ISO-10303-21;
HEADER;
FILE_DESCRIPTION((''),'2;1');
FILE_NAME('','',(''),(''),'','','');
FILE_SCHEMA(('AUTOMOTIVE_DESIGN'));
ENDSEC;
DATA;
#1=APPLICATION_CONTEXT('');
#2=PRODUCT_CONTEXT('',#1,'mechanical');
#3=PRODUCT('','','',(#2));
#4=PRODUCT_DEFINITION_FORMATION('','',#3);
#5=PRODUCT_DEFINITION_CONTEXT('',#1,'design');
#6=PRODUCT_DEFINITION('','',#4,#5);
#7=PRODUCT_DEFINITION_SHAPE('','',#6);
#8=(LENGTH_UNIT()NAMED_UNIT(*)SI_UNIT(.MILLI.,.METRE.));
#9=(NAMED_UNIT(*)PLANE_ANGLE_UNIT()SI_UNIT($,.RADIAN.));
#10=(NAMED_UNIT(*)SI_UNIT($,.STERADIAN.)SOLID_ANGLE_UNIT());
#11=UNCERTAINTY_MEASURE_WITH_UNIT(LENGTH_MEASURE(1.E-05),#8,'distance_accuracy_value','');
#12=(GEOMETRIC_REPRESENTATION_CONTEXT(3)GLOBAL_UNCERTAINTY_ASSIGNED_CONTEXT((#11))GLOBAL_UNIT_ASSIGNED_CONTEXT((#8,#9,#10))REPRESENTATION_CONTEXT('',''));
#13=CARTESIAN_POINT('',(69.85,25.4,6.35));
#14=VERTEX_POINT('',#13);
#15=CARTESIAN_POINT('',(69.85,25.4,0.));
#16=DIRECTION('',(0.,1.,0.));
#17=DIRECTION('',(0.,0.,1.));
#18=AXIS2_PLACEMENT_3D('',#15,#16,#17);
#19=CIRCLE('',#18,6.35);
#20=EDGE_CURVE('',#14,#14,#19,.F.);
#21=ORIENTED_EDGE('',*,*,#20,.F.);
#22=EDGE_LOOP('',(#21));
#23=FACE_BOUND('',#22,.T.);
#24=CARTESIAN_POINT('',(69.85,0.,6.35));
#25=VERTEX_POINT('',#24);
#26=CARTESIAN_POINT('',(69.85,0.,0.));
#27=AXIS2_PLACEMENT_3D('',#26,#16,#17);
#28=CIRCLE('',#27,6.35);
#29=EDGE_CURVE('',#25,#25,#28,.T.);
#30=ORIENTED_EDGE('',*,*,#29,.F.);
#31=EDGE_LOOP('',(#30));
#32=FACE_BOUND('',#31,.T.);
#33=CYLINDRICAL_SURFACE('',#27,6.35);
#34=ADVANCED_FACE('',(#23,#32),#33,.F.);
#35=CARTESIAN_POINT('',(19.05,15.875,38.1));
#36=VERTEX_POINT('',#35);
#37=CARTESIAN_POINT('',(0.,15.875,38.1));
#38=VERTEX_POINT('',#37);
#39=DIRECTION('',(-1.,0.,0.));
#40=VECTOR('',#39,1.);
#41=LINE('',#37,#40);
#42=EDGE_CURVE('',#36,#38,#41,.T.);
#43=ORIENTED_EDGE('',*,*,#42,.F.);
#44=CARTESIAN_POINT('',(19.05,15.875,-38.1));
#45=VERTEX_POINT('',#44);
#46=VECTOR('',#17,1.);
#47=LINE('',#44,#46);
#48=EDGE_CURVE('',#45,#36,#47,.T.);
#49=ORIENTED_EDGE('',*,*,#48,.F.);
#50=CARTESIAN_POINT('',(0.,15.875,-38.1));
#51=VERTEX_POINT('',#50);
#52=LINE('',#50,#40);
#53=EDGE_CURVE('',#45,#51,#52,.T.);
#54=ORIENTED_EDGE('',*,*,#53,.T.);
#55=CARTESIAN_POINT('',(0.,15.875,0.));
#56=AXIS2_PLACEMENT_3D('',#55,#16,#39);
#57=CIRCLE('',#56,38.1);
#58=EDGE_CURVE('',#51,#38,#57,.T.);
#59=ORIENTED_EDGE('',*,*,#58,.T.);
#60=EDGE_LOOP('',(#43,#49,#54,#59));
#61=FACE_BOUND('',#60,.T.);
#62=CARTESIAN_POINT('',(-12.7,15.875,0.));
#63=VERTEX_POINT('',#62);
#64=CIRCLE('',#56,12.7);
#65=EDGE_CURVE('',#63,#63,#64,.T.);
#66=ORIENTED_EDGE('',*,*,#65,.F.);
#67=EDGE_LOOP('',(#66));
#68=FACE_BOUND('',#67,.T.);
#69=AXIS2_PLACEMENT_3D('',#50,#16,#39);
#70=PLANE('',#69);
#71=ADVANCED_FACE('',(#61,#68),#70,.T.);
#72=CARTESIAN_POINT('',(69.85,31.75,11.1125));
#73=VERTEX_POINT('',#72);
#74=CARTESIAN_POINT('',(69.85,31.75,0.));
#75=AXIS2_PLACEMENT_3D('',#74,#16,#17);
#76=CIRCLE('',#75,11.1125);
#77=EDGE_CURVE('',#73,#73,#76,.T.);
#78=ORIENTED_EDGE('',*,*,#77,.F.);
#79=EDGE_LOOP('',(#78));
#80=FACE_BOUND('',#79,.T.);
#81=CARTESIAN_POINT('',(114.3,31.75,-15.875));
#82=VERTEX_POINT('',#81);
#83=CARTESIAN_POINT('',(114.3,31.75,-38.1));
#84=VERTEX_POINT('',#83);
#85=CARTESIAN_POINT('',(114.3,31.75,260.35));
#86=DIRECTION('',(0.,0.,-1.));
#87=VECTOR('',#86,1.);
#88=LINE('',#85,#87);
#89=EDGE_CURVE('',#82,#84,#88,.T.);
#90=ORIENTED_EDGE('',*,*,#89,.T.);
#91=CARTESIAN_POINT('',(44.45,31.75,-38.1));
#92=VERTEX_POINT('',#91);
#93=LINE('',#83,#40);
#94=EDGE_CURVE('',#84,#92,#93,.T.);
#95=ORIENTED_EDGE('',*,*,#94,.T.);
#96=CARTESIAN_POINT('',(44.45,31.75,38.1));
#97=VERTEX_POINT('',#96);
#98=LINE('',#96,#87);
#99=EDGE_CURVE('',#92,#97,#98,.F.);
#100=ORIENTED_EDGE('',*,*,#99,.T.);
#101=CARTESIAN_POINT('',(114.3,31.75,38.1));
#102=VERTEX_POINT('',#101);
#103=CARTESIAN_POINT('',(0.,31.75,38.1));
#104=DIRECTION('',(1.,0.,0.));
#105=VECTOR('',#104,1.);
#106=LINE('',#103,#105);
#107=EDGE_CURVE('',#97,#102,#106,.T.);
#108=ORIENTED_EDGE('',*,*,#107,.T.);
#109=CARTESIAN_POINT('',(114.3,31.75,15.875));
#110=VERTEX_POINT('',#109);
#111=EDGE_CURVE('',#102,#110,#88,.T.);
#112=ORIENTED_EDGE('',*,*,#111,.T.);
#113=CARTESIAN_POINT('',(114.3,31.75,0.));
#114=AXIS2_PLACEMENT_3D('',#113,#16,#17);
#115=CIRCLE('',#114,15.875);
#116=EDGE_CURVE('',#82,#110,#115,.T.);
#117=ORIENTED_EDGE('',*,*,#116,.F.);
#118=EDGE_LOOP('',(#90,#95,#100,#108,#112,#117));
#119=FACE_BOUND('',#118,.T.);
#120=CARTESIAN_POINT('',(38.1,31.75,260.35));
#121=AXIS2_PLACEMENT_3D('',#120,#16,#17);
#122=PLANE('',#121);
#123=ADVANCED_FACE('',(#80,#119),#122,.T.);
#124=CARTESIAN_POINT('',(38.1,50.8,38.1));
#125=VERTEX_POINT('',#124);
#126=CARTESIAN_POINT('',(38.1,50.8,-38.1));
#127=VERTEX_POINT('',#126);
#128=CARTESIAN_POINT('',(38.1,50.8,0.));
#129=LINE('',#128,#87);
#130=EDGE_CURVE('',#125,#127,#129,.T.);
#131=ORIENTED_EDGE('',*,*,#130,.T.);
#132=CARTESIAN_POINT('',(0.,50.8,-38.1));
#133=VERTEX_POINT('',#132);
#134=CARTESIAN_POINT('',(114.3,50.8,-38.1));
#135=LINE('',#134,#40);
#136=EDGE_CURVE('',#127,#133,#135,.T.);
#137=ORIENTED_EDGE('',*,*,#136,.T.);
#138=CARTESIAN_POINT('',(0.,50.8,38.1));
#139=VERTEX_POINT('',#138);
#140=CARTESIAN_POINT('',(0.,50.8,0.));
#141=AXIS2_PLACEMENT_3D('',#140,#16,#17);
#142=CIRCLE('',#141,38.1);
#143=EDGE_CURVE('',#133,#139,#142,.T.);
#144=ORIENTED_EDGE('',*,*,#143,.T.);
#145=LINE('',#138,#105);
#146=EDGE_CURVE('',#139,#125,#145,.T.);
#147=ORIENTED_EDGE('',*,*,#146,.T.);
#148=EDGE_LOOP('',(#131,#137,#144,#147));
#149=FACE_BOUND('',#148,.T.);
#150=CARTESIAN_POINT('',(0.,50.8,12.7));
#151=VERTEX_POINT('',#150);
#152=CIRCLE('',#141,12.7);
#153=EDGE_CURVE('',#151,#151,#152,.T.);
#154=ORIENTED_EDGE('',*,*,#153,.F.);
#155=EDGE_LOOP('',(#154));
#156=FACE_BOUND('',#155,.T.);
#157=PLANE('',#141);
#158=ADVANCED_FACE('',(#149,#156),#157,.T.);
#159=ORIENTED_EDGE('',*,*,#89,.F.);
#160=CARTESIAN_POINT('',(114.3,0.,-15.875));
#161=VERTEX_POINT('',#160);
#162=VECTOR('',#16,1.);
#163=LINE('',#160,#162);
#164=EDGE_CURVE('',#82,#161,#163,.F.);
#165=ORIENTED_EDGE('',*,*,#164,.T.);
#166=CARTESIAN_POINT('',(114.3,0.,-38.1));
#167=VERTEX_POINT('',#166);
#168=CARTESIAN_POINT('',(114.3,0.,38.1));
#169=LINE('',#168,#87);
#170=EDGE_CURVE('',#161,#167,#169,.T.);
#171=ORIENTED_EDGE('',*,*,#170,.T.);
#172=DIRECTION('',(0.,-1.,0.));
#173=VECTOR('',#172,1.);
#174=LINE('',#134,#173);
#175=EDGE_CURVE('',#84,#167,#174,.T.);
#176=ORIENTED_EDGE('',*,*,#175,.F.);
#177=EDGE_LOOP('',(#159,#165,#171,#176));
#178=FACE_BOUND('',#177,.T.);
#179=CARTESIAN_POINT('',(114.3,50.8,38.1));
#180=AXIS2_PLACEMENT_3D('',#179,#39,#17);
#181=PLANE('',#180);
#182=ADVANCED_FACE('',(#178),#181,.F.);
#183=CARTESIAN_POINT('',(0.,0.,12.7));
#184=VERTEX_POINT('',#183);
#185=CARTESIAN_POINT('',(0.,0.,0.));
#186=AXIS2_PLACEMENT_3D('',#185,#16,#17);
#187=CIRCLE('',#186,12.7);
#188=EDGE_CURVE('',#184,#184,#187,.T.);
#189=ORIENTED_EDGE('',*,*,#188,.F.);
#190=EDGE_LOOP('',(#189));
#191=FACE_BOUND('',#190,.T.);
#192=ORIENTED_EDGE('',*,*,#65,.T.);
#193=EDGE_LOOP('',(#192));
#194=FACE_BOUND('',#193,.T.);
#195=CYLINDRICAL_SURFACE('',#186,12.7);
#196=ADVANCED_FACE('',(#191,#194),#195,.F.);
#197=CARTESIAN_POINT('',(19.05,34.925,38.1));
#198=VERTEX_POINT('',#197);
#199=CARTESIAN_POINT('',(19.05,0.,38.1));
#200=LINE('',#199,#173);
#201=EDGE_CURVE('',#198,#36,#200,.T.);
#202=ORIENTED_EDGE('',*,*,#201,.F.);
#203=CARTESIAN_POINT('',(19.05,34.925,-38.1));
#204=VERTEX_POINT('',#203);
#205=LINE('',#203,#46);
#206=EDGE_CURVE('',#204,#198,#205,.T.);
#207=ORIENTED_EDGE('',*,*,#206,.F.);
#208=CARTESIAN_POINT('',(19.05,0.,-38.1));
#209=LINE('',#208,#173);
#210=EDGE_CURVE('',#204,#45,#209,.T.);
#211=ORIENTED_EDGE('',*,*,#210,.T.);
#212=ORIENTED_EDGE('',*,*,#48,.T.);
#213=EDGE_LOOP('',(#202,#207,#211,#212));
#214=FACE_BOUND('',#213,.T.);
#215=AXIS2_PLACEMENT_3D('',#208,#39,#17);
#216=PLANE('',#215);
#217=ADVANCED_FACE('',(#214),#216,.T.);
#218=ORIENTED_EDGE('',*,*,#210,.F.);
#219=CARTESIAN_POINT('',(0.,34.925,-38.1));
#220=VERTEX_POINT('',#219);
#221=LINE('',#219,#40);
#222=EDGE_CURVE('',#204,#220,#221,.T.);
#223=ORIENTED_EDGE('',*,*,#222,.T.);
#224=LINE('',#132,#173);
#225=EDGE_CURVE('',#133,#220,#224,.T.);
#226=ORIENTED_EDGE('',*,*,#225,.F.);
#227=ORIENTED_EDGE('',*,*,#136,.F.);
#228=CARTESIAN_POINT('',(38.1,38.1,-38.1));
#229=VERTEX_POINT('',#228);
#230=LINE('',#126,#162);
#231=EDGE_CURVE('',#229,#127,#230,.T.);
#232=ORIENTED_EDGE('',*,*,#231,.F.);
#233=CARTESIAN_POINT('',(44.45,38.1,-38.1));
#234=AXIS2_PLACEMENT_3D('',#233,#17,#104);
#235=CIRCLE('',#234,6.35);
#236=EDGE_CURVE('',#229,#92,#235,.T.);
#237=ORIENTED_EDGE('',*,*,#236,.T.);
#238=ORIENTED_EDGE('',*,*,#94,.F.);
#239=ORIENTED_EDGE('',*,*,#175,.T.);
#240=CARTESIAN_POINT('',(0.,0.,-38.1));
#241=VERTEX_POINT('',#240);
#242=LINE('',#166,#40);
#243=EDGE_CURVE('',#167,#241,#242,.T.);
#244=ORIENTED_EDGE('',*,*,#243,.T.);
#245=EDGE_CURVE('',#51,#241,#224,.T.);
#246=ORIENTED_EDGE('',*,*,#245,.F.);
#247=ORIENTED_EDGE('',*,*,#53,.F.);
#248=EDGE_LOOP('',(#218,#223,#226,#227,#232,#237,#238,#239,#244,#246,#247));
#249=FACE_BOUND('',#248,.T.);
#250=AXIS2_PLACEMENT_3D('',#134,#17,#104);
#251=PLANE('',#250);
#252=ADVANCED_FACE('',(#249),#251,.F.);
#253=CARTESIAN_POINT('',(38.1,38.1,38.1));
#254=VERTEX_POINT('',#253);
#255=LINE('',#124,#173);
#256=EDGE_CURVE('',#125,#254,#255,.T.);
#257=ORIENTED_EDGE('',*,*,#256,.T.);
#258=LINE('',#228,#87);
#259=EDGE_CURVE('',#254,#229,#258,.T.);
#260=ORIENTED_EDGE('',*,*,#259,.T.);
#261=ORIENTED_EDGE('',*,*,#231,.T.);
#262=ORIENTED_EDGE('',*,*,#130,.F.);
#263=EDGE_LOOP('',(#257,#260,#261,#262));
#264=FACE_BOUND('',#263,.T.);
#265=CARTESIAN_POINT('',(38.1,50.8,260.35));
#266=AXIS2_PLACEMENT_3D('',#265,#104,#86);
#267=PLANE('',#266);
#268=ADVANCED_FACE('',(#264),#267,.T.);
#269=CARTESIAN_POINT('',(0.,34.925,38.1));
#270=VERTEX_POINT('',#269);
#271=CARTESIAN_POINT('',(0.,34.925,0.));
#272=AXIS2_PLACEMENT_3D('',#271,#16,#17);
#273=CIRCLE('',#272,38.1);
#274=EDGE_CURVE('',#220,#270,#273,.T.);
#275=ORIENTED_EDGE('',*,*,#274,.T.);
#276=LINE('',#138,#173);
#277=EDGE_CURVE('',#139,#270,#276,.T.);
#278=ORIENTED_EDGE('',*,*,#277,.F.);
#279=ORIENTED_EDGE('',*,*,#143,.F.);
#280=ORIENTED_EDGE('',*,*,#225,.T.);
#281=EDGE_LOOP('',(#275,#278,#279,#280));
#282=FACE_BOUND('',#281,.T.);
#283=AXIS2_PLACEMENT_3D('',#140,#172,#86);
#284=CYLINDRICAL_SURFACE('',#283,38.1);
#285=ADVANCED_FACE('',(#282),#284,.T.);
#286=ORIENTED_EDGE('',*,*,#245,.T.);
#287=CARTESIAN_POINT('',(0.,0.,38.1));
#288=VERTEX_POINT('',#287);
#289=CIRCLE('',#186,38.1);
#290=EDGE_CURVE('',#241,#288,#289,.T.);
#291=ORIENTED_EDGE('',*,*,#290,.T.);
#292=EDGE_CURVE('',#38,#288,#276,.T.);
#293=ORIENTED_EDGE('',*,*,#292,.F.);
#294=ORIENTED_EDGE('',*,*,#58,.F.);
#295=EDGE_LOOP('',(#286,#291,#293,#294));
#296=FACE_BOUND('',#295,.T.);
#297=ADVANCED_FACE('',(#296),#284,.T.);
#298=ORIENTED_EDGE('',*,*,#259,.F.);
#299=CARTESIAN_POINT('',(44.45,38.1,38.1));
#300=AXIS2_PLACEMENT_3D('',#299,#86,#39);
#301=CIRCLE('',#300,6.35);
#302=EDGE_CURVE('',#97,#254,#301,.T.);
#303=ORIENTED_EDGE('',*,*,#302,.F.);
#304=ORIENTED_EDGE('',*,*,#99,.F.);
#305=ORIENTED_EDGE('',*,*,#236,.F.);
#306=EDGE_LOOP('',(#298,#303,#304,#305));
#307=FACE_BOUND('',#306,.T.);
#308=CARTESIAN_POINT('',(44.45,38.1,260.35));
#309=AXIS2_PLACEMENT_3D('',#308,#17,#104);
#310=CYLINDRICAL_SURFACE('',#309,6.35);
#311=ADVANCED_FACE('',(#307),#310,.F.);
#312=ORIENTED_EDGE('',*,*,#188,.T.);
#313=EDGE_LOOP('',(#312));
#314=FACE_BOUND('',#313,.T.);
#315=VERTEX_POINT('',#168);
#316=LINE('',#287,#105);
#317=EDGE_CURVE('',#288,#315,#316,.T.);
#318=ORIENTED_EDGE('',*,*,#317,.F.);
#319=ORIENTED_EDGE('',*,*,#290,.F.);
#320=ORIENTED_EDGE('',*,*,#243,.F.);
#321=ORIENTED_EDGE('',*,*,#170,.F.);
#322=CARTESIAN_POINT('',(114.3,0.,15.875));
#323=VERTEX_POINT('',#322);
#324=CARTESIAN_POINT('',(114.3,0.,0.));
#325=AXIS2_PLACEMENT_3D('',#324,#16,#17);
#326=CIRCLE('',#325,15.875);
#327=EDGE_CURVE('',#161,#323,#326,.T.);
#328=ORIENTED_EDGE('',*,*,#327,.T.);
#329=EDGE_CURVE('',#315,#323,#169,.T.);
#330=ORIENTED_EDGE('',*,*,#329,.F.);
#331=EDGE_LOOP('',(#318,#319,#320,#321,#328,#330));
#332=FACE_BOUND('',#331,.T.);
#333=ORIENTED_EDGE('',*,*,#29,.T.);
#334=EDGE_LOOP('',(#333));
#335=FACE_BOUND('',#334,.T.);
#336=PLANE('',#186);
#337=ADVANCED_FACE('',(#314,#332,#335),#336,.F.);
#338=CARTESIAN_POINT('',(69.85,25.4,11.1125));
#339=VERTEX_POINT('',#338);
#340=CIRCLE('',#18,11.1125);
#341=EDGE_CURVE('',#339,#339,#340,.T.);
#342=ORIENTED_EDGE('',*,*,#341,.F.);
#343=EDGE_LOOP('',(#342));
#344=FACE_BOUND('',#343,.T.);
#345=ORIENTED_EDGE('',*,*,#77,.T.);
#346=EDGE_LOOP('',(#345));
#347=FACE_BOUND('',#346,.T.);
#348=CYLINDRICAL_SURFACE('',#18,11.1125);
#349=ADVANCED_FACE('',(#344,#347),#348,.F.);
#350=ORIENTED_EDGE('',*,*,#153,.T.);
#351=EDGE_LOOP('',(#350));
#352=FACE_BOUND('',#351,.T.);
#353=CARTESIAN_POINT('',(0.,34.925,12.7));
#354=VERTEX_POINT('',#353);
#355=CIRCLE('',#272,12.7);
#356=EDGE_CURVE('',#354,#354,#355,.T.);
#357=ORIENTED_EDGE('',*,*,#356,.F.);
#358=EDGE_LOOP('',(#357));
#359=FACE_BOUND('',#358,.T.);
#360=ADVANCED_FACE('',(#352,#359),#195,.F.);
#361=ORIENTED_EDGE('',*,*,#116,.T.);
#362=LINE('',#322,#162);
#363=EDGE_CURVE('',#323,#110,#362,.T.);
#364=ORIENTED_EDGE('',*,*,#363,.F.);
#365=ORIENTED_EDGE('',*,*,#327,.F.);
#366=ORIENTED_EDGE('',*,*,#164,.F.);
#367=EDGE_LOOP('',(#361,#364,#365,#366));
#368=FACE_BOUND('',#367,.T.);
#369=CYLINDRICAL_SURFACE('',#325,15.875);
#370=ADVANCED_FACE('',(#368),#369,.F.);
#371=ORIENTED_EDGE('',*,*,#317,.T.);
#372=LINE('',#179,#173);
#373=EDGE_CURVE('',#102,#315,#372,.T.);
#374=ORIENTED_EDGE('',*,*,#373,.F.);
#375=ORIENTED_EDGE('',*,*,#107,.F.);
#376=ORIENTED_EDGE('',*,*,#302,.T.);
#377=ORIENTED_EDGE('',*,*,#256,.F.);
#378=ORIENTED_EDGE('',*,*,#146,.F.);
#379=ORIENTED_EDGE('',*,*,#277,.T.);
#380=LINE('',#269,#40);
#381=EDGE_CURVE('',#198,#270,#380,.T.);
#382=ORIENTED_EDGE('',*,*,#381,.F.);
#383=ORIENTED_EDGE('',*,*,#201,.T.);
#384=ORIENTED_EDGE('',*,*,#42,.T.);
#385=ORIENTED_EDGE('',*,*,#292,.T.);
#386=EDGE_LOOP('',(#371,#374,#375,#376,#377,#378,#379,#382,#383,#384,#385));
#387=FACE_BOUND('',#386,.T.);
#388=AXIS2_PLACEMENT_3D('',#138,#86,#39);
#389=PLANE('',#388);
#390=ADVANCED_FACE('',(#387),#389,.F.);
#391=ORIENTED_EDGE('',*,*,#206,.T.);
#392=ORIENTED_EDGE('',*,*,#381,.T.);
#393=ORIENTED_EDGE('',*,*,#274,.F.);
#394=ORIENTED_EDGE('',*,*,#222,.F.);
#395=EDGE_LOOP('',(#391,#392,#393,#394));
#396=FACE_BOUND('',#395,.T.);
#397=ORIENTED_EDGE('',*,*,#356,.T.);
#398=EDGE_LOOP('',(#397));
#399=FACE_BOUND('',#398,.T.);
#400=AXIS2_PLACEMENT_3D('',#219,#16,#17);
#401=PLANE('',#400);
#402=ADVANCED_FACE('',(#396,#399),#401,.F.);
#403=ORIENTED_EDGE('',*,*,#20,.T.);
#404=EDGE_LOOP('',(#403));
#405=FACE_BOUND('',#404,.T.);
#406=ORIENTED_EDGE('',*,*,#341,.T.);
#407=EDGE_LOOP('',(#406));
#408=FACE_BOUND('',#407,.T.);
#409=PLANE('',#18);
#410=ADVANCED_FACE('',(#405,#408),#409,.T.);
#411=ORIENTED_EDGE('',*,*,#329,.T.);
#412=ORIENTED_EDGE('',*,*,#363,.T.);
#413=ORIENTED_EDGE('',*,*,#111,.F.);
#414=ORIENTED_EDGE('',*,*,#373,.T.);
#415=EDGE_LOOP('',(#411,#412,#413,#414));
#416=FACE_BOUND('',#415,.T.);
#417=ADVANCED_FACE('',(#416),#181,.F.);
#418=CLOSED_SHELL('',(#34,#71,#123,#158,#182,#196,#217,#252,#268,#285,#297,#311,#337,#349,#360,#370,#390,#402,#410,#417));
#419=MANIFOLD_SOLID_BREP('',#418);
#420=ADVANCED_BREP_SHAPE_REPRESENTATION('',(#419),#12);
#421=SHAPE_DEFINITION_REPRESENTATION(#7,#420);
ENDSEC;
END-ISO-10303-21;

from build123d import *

# Parameters (mm, degrees)
BOSS_EXTRUDE1_DEPTH     = 50.8
CUT_EXTRUDE1_DEPTH      = 147.463544952
CUT_EXTRUDE1_DEPTH_BACK = 147.463544952
FILLET1_R               = 6.35
SKETCH5_W               = 19.05
SKETCH5_H               = 19.05
SKETCH5_W_2             = 47.515662577
CUT_EXTRUDE2_DEPTH      = 147.463544952
SKETCH6_R               = 12.7
CUT_EXTRUDE3_DEPTH      = 131.754502791
SKETCH7_R               = 15.875
SKETCH7_R_2             = 6.35
CUT_EXTRUDE4_DEPTH      = 125.595997127
SKETCH8_R               = 11.1125
CUT_EXTRUDE5_DEPTH      = 6.35


with BuildPart() as part:
    # Sketch2 → Boss-Extrude1 (new body)
    with BuildSketch(Plane(origin=(0, 0, 0), x_dir=(1, 0, 0), z_dir=(0, 1, 0))):
        with BuildLine():
            Line((0, -38.1), (114.3, -38.1))
            Line((114.3, -38.1), (114.3, 38.1))
            Line((114.3, 38.1), (0, 38.1))
            ThreePointArc((0, 38.1), (-38.1, 0), (0, -38.1))
        make_face()
    extrude(amount=BOSS_EXTRUDE1_DEPTH)

    # Sketch3 → Cut-Extrude1 (cut, two sides: drawn at the far end of the back side and taken through both)
    with BuildSketch(Plane.XY.offset(38.1).offset(-CUT_EXTRUDE1_DEPTH_BACK)):
        Polygon((38.1, 372.144327072), (38.1, 50.8), (38.1, 31.75), (114.3, 31.75), (435.644327072, 31.75), (853.647106265, 519.932735), (456.102779193, 860.327062073), align=None)
    extrude(amount=CUT_EXTRUDE1_DEPTH + CUT_EXTRUDE1_DEPTH_BACK, mode=Mode.SUBTRACT)

    # Fillet1
    fillet1_edges = [part.edges().sort_by_distance(p)[0] for p in [
        (38.1, 31.75, 0),
    ]]
    fillet(fillet1_edges, radius=FILLET1_R)

    # Sketch5 → Cut-Extrude2 (cut, through all)
    with BuildSketch(Plane.XY.offset(38.1)):
        with Locations((9.525, 25.4)):
            Rectangle(SKETCH5_W, SKETCH5_H)
        with Locations((-23.757831289, 25.4)):
            Rectangle(SKETCH5_W_2, SKETCH5_H)
    extrude(amount=-CUT_EXTRUDE2_DEPTH, mode=Mode.SUBTRACT)

    # Sketch6 → Cut-Extrude3 (cut, through all)
    with BuildSketch(Plane(origin=(0, 50.8, 0), x_dir=(1, 0, 0), z_dir=(0, 1, 0))):
        with Locations(Location((0, 0, 0), (0, 0, 270))):
            Circle(SKETCH6_R)
    extrude(amount=-CUT_EXTRUDE3_DEPTH, mode=Mode.SUBTRACT)

    # Sketch7 → Cut-Extrude4 (cut, through all)
    with BuildSketch(Plane(origin=(0, 31.75, 0), x_dir=(1, 0, 0), z_dir=(0, 1, 0))):
        with Locations((114.3, 0)):
            Circle(SKETCH7_R)
        with Locations(Location((69.85, 0, 0), (0, 0, 270))):
            Circle(SKETCH7_R_2)
    extrude(amount=-CUT_EXTRUDE4_DEPTH, mode=Mode.SUBTRACT)

    # Sketch8 → Cut-Extrude5 (cut)
    with BuildSketch(Plane(origin=(0, 31.75, 0), x_dir=(1, 0, 0), z_dir=(0, 1, 0))):
        with Locations(Location((69.85, 0, 0), (0, 0, 270))):
            Circle(SKETCH8_R)
    extrude(amount=-CUT_EXTRUDE5_DEPTH, mode=Mode.SUBTRACT)


solid = part.part
